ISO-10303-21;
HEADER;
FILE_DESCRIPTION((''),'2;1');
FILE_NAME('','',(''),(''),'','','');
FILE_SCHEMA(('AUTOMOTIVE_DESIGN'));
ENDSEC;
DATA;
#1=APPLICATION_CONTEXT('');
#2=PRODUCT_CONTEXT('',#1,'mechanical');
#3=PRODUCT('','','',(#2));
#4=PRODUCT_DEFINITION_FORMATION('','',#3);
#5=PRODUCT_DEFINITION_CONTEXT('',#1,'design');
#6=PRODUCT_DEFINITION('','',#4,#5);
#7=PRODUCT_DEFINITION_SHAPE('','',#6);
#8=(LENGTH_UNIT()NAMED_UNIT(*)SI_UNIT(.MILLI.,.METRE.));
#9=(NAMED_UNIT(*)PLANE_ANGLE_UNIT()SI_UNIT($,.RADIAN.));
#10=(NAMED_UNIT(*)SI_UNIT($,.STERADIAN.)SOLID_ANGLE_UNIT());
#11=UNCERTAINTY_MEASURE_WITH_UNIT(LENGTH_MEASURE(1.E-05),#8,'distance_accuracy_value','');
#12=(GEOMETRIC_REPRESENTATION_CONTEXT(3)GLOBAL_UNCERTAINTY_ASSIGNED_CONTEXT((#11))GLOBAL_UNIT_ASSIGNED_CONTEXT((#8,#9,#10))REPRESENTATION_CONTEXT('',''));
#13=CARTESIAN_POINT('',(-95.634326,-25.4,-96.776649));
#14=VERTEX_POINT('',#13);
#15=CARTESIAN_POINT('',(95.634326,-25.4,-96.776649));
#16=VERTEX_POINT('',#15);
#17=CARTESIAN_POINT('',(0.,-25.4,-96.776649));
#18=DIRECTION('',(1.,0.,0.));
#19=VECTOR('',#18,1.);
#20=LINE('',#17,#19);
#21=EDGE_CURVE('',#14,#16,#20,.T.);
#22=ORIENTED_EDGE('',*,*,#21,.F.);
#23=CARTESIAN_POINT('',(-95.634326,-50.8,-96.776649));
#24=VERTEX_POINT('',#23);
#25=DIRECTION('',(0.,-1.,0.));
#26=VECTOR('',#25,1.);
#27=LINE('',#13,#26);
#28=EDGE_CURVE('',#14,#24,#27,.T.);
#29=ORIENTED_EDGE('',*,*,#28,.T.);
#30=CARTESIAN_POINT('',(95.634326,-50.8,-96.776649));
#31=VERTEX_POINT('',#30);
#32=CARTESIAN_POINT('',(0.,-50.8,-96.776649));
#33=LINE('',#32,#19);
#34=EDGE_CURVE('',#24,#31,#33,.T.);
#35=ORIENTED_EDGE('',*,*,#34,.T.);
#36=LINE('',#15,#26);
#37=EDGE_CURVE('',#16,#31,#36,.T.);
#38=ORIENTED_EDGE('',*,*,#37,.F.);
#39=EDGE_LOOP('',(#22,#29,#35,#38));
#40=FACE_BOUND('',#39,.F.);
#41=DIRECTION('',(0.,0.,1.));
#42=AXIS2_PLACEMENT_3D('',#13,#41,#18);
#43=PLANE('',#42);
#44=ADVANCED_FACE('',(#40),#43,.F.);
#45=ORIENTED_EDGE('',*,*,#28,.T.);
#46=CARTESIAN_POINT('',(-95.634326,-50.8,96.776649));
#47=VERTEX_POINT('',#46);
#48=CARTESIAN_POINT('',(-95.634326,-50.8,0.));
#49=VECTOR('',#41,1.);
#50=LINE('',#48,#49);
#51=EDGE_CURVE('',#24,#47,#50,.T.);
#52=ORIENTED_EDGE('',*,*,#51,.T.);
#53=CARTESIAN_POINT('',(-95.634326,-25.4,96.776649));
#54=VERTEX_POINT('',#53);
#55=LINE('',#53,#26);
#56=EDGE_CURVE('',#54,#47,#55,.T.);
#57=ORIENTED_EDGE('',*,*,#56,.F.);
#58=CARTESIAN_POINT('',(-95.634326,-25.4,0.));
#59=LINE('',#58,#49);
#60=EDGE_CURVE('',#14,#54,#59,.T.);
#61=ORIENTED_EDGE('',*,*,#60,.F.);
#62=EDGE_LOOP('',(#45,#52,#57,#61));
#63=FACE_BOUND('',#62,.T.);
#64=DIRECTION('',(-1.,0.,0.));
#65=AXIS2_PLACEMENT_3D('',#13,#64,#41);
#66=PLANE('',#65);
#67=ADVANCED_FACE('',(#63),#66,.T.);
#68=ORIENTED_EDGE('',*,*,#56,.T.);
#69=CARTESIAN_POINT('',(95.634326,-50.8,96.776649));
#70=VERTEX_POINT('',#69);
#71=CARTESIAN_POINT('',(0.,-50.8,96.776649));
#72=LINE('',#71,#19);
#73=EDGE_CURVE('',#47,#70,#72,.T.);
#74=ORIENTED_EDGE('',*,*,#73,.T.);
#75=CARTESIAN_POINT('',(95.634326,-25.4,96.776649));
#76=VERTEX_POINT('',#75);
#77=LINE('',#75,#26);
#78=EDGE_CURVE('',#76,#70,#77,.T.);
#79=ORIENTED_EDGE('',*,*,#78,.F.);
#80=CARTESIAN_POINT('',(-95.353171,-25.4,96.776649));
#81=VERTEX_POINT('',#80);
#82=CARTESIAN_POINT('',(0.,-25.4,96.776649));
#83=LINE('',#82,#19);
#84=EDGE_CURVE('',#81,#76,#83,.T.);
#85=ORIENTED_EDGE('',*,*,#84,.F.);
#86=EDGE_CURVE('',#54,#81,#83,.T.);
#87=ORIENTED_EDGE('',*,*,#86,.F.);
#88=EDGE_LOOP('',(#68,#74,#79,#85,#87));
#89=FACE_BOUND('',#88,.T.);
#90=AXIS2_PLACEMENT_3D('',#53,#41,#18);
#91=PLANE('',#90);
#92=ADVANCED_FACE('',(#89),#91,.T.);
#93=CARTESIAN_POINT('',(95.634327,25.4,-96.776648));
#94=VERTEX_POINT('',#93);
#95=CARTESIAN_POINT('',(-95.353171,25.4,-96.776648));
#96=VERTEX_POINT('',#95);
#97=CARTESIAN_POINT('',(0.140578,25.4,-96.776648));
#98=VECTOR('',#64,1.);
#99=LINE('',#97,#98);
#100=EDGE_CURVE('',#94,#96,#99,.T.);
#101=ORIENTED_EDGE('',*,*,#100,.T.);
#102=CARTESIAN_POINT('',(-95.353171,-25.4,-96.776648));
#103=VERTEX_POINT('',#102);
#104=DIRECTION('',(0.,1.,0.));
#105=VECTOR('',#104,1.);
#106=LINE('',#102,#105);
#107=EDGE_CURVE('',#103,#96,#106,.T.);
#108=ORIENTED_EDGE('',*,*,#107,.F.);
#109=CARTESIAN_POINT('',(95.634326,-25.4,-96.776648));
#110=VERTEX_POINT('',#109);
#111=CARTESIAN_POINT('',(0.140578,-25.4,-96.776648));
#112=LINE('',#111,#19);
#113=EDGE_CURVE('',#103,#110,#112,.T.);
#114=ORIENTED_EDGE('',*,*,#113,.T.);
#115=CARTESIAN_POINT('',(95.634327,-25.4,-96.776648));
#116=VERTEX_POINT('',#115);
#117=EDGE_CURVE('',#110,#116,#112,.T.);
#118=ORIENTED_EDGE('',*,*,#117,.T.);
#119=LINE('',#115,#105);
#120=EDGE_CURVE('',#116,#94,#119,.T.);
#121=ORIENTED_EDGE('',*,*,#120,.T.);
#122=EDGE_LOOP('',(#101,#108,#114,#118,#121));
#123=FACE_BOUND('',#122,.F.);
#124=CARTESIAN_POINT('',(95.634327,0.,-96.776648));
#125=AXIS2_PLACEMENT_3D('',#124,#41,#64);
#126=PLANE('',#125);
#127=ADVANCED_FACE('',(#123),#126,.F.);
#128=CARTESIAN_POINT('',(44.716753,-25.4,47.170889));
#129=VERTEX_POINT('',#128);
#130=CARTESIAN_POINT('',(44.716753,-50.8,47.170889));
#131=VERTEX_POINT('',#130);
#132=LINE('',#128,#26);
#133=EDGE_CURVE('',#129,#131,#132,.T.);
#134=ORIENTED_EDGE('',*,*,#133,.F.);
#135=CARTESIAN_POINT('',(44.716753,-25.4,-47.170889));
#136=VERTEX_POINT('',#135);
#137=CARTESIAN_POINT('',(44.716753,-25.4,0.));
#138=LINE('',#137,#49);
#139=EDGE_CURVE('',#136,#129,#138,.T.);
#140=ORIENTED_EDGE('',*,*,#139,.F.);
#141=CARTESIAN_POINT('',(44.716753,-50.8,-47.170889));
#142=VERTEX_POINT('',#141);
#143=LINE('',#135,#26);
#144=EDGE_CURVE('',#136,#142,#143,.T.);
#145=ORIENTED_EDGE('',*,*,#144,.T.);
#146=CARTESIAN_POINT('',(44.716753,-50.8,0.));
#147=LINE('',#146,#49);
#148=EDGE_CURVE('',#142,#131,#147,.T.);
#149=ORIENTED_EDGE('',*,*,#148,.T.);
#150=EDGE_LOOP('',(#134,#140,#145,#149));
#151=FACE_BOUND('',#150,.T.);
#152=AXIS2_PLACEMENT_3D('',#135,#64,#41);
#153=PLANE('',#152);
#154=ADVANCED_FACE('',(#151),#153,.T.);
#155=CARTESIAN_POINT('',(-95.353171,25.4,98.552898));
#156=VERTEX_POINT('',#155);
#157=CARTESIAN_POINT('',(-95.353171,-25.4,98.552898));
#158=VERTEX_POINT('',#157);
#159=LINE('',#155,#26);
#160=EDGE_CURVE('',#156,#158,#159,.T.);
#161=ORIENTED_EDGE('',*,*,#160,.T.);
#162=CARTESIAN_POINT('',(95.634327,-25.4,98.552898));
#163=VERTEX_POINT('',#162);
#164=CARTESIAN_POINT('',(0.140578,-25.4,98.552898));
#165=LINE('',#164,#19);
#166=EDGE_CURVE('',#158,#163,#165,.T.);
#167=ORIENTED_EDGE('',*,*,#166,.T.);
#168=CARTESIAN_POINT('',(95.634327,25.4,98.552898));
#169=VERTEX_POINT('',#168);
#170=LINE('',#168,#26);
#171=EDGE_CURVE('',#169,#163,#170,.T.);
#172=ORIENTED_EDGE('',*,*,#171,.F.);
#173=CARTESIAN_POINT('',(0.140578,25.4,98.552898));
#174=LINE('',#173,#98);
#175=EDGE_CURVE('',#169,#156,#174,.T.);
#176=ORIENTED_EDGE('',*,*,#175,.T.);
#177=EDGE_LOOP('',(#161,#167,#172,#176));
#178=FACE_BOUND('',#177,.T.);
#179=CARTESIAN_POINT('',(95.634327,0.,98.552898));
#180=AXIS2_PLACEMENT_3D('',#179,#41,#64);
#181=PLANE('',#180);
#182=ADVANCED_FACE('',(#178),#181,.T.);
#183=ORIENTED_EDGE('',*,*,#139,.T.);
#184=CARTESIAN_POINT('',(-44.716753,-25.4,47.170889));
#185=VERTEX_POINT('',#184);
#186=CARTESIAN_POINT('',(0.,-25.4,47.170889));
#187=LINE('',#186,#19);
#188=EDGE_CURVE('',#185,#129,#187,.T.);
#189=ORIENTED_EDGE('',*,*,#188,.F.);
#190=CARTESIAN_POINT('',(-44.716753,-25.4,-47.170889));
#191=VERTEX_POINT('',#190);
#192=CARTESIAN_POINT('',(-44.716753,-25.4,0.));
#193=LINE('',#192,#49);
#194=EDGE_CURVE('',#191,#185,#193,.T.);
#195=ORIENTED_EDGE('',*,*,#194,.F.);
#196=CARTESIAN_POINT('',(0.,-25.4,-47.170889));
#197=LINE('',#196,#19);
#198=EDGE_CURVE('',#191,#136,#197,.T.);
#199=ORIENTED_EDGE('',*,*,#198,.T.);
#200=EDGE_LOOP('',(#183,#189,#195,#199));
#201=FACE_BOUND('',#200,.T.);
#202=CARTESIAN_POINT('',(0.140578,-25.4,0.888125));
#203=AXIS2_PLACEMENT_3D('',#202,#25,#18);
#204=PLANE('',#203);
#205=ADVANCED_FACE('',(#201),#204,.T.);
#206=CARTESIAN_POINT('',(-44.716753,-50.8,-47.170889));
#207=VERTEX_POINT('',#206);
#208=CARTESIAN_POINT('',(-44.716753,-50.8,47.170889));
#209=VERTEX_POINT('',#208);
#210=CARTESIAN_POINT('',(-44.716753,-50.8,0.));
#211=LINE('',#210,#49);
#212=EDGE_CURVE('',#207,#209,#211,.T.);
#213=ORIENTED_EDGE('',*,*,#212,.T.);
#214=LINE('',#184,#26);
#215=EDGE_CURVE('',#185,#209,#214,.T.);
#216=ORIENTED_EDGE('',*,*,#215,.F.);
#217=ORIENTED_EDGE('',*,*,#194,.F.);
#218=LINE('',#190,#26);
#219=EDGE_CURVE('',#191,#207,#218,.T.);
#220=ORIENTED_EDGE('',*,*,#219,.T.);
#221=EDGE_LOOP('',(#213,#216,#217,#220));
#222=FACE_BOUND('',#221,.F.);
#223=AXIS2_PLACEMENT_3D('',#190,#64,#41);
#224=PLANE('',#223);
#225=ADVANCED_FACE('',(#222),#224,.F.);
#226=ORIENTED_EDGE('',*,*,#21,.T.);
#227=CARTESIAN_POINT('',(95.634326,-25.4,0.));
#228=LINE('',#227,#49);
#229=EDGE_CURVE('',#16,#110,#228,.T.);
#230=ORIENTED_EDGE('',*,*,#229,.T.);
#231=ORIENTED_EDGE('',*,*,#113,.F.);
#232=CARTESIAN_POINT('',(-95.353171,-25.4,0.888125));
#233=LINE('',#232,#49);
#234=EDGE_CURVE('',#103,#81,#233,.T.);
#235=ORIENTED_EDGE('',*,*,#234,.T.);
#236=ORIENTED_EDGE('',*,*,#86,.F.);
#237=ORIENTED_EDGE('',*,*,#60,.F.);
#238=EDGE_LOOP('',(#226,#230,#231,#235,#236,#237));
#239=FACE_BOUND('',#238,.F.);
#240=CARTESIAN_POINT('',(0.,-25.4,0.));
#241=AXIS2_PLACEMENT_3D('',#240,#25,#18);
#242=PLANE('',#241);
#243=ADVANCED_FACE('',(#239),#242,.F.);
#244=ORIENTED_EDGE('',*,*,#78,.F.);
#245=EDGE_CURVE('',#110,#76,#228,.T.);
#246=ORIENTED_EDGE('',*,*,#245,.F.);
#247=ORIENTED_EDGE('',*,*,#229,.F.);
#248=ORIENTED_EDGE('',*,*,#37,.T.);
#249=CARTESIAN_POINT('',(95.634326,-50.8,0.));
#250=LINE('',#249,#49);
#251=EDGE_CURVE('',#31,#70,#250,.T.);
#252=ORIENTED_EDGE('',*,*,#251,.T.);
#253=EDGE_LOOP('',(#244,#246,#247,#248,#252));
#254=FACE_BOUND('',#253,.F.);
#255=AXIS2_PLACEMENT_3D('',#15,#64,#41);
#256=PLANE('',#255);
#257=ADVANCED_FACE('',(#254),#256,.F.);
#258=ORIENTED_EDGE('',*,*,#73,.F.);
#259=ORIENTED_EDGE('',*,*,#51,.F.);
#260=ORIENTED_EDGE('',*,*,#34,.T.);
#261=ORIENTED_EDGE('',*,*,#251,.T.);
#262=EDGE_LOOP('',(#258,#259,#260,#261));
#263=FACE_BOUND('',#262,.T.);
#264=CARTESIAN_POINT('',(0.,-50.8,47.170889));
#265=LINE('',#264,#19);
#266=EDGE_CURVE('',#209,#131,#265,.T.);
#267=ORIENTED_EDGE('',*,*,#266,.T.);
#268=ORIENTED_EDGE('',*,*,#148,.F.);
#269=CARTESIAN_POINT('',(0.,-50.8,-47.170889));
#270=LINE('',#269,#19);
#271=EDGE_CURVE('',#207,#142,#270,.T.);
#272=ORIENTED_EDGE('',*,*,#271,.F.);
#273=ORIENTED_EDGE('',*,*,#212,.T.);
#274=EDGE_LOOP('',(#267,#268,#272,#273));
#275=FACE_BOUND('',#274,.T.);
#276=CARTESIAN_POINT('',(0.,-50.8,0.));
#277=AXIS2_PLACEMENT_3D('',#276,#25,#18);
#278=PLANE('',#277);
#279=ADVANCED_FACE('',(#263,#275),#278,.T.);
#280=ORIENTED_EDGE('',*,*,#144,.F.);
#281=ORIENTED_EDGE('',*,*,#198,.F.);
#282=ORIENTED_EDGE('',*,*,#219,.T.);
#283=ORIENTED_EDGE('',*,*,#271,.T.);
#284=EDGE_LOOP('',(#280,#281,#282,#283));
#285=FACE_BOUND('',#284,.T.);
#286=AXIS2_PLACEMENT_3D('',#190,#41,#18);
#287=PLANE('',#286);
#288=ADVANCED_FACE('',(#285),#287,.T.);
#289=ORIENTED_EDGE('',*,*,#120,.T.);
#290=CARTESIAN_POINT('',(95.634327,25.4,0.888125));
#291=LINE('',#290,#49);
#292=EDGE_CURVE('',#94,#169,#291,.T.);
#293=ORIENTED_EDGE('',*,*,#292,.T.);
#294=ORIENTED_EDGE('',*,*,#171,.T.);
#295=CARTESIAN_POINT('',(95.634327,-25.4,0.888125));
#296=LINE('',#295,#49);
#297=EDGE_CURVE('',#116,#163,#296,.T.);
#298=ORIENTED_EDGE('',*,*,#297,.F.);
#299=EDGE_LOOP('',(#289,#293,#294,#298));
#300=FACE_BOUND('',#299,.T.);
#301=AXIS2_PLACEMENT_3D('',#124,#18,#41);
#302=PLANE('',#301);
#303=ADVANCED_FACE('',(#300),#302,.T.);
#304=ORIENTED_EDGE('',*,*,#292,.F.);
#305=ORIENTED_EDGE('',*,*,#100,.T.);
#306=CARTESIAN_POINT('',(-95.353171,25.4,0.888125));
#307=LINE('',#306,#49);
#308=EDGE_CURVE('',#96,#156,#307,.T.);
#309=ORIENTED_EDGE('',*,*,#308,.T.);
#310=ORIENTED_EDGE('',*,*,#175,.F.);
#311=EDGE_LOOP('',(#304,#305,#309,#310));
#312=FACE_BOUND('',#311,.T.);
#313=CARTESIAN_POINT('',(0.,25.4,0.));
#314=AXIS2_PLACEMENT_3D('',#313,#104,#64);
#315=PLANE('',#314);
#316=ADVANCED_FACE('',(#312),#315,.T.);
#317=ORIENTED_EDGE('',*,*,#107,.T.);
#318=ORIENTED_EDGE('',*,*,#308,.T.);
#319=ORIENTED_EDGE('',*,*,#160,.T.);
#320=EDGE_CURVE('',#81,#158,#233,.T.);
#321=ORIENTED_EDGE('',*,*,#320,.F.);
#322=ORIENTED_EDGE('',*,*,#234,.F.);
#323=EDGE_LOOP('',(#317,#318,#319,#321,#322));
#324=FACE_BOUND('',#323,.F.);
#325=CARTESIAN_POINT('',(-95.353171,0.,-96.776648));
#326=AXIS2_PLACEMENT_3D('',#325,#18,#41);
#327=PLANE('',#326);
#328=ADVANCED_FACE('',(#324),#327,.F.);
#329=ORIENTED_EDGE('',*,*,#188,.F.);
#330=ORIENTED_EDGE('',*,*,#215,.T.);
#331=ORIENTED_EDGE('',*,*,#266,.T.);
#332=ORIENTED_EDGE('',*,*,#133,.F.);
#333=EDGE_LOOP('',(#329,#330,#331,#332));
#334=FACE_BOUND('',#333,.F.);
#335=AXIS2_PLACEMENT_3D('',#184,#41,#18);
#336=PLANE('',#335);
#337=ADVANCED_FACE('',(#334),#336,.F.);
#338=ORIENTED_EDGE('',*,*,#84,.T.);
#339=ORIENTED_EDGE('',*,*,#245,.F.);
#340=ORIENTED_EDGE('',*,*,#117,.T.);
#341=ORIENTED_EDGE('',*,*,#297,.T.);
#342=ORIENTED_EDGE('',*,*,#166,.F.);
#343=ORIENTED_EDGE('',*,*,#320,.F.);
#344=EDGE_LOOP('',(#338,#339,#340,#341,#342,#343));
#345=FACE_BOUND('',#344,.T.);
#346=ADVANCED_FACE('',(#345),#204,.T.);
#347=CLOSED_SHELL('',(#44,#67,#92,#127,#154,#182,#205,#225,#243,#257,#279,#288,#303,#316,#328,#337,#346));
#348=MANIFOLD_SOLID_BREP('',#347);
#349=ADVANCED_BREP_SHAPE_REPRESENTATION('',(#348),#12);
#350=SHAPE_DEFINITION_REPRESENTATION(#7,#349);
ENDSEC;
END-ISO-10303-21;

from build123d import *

# Parameters (mm, degrees)
F0_W     = 190.987497
F0_H     = 195.329547
F1_DEPTH = 25.4
F2_W     = 190.987497
F2_H     = 195.329547
F2_W_2   = 92.081398
F2_H_2   = 90.176002
F3_DEPTH = 25.4
F4_W     = 191.268652
F4_H     = 193.553298
F4_W_2   = 89.433506
F4_H_2   = 94.341778
F5_DEPTH = 25.4
F6_W     = 92.081398
F6_H     = 90.176002
F7_DEPTH = 25.4


with BuildPart() as f1:
    # F0 (on Front) → F1 (new body)
    with BuildSketch(Plane.XZ):
        with Locations((0.140578, 0.888125)):
            Rectangle(F0_W, F0_H)
    extrude(amount=F1_DEPTH)

    # F2 (on face) → F3 (join)
    with BuildSketch(Plane(origin=(0, 0, 0), x_dir=(-1, 0, 0), z_dir=(0, 1, 0))):
        with Locations((-0.140578, 0.888125)):
            Rectangle(F2_W, F2_H)
        Rectangle(F2_W_2, F2_H_2, mode=Mode.SUBTRACT)
    extrude(amount=F3_DEPTH)

    # F4 (on face) → F5 (join)
    with BuildSketch(Plane.XZ.offset(25.4)):
        Rectangle(F4_W, F4_H)
        Rectangle(F4_W_2, F4_H_2, mode=Mode.SUBTRACT)
    extrude(amount=F5_DEPTH)

    # F6 (on face) → F7 (join)
    with BuildSketch(Plane(origin=(0, 0, 0), x_dir=(-1, 0, 0), z_dir=(0, 1, 0))):
        Rectangle(F6_W, F6_H)
    extrude(amount=F7_DEPTH)


solid = f1.part
